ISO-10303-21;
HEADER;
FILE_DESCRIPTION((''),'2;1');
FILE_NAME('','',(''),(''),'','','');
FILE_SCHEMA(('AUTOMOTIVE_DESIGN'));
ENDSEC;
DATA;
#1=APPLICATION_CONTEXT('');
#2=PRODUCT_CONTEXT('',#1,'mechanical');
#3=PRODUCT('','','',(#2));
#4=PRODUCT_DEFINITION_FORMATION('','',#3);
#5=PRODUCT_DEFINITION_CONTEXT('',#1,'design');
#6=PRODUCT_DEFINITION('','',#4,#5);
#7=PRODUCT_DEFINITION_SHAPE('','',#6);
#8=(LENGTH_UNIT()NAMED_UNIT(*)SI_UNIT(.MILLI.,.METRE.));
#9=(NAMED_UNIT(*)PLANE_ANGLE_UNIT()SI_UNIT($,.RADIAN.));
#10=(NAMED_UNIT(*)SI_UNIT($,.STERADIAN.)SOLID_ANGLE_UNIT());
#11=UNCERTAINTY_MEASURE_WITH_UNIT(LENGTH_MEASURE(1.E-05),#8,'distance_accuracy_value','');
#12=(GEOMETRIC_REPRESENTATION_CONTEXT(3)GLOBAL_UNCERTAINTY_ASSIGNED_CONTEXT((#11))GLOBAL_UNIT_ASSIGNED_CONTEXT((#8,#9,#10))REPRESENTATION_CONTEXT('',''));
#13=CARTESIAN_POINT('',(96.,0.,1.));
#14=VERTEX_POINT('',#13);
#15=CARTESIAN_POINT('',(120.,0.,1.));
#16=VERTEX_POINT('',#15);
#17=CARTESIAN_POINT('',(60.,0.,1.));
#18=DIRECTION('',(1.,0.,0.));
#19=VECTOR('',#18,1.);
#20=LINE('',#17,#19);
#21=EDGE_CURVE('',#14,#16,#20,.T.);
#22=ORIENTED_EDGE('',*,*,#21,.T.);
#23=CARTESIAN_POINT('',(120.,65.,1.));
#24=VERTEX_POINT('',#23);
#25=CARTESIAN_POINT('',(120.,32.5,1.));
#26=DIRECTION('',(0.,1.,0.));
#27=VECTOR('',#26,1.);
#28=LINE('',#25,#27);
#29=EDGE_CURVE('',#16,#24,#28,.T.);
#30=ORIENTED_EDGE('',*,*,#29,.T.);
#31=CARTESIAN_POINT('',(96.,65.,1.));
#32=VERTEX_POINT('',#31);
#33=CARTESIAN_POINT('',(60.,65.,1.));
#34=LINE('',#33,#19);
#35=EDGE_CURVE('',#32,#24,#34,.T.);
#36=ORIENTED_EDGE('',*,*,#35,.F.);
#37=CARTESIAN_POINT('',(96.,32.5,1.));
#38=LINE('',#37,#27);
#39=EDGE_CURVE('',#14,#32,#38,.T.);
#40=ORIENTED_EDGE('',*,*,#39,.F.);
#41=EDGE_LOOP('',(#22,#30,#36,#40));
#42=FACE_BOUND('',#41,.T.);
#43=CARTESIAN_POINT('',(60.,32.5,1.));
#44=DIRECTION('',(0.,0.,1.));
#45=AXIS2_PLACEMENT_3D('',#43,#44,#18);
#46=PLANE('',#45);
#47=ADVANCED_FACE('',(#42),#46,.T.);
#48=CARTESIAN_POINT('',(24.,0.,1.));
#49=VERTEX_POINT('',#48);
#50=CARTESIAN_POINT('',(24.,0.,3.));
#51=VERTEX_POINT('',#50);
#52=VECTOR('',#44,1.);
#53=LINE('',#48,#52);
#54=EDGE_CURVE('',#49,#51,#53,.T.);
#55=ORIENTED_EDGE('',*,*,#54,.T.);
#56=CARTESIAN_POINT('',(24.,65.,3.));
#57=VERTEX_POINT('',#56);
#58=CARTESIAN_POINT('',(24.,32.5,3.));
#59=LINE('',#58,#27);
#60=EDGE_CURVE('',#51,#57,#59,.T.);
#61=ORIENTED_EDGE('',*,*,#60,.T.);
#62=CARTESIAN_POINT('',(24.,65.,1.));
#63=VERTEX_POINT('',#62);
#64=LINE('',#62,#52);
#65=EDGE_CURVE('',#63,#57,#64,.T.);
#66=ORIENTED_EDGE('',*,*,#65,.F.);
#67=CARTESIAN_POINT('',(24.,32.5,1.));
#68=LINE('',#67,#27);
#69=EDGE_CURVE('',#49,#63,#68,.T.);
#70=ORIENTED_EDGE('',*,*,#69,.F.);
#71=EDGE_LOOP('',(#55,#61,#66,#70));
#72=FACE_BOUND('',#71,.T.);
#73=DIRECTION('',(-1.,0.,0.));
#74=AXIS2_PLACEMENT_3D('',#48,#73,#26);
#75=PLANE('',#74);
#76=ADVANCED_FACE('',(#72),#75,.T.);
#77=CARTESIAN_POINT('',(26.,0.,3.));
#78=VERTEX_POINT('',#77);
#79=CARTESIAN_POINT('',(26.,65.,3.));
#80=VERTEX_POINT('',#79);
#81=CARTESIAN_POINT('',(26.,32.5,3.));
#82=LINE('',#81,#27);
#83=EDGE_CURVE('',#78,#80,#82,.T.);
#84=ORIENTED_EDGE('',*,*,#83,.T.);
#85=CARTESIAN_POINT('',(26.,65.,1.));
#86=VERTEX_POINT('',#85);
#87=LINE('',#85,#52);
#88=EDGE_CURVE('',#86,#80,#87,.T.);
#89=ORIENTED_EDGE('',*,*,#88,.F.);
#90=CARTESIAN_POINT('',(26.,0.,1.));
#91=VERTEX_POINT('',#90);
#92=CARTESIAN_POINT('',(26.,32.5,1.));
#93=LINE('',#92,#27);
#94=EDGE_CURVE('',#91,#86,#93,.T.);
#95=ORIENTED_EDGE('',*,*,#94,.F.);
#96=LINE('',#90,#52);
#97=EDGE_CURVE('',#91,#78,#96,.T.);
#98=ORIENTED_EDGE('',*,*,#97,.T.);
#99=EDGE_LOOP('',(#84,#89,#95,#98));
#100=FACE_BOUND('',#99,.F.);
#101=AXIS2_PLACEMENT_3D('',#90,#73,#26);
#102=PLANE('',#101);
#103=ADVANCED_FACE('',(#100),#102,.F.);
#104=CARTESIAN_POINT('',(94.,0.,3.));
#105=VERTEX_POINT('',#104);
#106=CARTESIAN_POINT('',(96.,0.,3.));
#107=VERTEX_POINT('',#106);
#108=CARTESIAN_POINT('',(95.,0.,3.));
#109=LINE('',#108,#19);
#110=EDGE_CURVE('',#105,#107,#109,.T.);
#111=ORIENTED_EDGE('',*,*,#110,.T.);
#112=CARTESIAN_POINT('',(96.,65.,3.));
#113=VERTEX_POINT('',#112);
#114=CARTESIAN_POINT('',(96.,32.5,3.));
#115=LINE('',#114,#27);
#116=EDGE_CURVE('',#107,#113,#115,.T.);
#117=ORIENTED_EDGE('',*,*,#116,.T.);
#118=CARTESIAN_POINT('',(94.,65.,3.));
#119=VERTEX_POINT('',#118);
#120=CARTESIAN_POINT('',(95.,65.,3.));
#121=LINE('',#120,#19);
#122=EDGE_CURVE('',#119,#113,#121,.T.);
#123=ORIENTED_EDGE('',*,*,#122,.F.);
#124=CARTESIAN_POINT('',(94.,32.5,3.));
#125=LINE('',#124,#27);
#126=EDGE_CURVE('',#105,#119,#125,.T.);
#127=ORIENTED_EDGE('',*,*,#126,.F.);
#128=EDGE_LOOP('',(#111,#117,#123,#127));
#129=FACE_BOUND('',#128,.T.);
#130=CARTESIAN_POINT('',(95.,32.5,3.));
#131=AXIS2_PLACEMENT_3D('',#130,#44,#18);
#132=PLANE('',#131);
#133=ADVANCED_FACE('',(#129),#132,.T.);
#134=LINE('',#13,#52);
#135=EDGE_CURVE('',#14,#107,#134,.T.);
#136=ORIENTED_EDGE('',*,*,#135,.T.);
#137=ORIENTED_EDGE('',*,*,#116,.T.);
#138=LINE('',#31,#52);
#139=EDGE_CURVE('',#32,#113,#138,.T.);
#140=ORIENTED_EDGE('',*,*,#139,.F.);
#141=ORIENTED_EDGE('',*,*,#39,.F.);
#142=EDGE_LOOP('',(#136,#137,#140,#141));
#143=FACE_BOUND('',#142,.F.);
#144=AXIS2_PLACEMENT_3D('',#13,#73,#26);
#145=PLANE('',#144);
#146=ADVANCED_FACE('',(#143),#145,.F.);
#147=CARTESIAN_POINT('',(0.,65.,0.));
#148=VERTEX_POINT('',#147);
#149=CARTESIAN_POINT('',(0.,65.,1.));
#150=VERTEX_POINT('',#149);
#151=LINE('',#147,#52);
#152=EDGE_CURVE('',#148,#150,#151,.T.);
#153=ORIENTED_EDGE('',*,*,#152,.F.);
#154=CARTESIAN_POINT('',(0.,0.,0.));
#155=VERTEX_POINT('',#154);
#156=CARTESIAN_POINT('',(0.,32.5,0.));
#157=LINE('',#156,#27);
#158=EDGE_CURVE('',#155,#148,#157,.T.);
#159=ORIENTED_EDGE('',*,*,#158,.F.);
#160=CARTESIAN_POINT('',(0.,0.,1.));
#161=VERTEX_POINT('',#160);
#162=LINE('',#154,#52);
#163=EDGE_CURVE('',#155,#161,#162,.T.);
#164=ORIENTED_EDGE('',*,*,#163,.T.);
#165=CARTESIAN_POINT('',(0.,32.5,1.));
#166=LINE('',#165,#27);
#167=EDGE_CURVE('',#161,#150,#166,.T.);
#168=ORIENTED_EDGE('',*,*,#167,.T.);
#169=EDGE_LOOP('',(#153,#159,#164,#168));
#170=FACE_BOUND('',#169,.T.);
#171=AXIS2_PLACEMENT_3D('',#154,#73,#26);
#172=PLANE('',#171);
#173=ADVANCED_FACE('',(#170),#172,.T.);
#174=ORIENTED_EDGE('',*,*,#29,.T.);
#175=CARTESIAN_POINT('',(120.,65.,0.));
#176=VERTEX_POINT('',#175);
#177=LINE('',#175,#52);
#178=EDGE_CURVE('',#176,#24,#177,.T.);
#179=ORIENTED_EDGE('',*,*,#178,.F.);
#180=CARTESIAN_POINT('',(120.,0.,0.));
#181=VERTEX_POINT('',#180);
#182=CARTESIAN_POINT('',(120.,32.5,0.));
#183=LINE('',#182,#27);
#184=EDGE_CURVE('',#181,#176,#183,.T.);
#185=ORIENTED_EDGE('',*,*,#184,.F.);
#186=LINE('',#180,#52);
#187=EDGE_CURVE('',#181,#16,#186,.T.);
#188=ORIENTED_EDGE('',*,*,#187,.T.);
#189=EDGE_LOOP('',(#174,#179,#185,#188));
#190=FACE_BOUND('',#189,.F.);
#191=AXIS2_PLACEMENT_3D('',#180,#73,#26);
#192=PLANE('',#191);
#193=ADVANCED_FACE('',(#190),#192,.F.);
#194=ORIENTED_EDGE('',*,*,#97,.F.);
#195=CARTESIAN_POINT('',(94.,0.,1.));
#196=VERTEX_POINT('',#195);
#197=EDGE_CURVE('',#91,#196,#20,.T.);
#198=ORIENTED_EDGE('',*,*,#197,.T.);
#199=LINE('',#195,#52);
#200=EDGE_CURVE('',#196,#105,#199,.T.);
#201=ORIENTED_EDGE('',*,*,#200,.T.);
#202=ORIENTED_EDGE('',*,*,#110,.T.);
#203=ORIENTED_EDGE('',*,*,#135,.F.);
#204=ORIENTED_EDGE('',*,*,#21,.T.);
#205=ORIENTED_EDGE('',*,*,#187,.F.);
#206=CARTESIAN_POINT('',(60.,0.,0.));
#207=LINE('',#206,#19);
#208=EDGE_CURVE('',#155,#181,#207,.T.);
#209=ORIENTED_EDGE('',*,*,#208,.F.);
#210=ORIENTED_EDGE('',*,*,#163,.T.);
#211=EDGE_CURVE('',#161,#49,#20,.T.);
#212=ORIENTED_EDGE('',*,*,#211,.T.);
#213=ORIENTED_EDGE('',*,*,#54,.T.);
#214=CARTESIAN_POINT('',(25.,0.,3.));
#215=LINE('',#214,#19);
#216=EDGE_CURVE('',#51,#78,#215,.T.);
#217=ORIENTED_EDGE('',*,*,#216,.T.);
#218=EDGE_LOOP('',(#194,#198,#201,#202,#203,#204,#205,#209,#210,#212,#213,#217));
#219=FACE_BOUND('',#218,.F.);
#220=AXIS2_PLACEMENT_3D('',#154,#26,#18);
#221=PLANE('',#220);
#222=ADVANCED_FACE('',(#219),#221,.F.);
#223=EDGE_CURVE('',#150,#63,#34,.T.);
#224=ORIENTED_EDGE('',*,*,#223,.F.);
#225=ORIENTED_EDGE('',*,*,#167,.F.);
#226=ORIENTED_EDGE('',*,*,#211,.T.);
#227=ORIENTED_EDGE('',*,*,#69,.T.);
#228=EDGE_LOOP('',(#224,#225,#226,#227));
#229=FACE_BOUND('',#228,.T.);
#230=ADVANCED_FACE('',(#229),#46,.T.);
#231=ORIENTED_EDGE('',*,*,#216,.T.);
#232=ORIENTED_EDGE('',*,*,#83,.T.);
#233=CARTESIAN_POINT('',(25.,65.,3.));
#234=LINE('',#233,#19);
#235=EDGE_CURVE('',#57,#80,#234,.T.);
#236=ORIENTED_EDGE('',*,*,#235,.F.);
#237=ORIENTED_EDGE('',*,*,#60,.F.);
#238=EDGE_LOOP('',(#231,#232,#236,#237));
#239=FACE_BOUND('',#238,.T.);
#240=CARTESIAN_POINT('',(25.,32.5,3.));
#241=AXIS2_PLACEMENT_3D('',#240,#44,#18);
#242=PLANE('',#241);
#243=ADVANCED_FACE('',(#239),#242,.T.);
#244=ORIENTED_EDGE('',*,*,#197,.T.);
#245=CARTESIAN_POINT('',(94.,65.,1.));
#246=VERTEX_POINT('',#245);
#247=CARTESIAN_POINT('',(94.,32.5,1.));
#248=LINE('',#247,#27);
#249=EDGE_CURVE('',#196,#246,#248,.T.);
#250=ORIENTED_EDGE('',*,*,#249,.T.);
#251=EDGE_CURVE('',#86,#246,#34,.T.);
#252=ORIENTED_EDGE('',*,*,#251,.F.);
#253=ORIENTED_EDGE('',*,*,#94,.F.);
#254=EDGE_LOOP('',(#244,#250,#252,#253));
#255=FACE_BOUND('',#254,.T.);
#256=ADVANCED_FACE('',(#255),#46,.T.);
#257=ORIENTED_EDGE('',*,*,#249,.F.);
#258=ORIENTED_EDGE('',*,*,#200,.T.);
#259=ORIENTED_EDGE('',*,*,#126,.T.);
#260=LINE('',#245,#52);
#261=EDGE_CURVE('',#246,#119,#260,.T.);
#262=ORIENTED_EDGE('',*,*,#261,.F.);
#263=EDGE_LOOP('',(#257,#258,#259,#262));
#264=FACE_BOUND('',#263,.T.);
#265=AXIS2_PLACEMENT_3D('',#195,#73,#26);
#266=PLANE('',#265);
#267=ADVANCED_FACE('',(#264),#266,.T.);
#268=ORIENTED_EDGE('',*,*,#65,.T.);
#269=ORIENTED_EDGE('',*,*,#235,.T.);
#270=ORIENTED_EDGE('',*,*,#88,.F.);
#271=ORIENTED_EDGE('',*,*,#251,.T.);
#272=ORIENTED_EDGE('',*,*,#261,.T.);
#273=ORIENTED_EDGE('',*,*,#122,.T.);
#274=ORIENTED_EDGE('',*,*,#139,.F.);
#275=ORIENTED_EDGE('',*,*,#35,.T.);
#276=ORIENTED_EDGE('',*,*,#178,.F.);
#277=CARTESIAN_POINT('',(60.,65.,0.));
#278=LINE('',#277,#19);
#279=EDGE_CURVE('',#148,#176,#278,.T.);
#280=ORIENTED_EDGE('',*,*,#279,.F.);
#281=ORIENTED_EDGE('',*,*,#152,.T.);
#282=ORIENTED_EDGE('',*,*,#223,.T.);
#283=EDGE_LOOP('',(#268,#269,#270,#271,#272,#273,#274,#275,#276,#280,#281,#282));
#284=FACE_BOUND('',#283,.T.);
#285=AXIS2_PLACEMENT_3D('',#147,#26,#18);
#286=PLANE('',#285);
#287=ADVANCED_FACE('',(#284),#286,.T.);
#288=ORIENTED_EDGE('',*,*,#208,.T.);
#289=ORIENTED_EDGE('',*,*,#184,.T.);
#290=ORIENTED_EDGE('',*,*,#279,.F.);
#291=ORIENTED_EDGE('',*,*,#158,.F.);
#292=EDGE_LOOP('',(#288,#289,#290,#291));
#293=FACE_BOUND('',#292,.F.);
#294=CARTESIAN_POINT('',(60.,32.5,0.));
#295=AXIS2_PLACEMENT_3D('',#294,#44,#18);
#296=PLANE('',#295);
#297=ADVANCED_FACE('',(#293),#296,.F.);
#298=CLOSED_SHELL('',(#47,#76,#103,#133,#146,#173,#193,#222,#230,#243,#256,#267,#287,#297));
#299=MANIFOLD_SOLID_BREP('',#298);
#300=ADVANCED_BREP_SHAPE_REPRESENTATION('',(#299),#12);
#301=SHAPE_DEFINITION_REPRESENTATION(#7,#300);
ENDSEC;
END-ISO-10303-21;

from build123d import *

# Parameters (mm, degrees)
SKETCH_W     = 120
SKETCH_H     = 65
PAD_DEPTH    = 1
SKETCH001_W  = 2
SKETCH001_H  = 65
PAD001_DEPTH = 2


with BuildPart() as part:
    # Sketch → Pad (new body)
    with BuildSketch(Plane.XY):
        with Locations((60, 32.5)):
            Rectangle(SKETCH_W, SKETCH_H)
    extrude(amount=PAD_DEPTH)

    # Sketch001 → Pad001 (new body)
    with BuildSketch(Plane.XY.offset(1)):
        with Locations((25, 32.5)):
            Rectangle(SKETCH001_W, SKETCH001_H)
        with Locations((95, 32.5)):
            Rectangle(SKETCH001_W, SKETCH001_H)
    extrude(amount=PAD001_DEPTH)


solid = part.part
